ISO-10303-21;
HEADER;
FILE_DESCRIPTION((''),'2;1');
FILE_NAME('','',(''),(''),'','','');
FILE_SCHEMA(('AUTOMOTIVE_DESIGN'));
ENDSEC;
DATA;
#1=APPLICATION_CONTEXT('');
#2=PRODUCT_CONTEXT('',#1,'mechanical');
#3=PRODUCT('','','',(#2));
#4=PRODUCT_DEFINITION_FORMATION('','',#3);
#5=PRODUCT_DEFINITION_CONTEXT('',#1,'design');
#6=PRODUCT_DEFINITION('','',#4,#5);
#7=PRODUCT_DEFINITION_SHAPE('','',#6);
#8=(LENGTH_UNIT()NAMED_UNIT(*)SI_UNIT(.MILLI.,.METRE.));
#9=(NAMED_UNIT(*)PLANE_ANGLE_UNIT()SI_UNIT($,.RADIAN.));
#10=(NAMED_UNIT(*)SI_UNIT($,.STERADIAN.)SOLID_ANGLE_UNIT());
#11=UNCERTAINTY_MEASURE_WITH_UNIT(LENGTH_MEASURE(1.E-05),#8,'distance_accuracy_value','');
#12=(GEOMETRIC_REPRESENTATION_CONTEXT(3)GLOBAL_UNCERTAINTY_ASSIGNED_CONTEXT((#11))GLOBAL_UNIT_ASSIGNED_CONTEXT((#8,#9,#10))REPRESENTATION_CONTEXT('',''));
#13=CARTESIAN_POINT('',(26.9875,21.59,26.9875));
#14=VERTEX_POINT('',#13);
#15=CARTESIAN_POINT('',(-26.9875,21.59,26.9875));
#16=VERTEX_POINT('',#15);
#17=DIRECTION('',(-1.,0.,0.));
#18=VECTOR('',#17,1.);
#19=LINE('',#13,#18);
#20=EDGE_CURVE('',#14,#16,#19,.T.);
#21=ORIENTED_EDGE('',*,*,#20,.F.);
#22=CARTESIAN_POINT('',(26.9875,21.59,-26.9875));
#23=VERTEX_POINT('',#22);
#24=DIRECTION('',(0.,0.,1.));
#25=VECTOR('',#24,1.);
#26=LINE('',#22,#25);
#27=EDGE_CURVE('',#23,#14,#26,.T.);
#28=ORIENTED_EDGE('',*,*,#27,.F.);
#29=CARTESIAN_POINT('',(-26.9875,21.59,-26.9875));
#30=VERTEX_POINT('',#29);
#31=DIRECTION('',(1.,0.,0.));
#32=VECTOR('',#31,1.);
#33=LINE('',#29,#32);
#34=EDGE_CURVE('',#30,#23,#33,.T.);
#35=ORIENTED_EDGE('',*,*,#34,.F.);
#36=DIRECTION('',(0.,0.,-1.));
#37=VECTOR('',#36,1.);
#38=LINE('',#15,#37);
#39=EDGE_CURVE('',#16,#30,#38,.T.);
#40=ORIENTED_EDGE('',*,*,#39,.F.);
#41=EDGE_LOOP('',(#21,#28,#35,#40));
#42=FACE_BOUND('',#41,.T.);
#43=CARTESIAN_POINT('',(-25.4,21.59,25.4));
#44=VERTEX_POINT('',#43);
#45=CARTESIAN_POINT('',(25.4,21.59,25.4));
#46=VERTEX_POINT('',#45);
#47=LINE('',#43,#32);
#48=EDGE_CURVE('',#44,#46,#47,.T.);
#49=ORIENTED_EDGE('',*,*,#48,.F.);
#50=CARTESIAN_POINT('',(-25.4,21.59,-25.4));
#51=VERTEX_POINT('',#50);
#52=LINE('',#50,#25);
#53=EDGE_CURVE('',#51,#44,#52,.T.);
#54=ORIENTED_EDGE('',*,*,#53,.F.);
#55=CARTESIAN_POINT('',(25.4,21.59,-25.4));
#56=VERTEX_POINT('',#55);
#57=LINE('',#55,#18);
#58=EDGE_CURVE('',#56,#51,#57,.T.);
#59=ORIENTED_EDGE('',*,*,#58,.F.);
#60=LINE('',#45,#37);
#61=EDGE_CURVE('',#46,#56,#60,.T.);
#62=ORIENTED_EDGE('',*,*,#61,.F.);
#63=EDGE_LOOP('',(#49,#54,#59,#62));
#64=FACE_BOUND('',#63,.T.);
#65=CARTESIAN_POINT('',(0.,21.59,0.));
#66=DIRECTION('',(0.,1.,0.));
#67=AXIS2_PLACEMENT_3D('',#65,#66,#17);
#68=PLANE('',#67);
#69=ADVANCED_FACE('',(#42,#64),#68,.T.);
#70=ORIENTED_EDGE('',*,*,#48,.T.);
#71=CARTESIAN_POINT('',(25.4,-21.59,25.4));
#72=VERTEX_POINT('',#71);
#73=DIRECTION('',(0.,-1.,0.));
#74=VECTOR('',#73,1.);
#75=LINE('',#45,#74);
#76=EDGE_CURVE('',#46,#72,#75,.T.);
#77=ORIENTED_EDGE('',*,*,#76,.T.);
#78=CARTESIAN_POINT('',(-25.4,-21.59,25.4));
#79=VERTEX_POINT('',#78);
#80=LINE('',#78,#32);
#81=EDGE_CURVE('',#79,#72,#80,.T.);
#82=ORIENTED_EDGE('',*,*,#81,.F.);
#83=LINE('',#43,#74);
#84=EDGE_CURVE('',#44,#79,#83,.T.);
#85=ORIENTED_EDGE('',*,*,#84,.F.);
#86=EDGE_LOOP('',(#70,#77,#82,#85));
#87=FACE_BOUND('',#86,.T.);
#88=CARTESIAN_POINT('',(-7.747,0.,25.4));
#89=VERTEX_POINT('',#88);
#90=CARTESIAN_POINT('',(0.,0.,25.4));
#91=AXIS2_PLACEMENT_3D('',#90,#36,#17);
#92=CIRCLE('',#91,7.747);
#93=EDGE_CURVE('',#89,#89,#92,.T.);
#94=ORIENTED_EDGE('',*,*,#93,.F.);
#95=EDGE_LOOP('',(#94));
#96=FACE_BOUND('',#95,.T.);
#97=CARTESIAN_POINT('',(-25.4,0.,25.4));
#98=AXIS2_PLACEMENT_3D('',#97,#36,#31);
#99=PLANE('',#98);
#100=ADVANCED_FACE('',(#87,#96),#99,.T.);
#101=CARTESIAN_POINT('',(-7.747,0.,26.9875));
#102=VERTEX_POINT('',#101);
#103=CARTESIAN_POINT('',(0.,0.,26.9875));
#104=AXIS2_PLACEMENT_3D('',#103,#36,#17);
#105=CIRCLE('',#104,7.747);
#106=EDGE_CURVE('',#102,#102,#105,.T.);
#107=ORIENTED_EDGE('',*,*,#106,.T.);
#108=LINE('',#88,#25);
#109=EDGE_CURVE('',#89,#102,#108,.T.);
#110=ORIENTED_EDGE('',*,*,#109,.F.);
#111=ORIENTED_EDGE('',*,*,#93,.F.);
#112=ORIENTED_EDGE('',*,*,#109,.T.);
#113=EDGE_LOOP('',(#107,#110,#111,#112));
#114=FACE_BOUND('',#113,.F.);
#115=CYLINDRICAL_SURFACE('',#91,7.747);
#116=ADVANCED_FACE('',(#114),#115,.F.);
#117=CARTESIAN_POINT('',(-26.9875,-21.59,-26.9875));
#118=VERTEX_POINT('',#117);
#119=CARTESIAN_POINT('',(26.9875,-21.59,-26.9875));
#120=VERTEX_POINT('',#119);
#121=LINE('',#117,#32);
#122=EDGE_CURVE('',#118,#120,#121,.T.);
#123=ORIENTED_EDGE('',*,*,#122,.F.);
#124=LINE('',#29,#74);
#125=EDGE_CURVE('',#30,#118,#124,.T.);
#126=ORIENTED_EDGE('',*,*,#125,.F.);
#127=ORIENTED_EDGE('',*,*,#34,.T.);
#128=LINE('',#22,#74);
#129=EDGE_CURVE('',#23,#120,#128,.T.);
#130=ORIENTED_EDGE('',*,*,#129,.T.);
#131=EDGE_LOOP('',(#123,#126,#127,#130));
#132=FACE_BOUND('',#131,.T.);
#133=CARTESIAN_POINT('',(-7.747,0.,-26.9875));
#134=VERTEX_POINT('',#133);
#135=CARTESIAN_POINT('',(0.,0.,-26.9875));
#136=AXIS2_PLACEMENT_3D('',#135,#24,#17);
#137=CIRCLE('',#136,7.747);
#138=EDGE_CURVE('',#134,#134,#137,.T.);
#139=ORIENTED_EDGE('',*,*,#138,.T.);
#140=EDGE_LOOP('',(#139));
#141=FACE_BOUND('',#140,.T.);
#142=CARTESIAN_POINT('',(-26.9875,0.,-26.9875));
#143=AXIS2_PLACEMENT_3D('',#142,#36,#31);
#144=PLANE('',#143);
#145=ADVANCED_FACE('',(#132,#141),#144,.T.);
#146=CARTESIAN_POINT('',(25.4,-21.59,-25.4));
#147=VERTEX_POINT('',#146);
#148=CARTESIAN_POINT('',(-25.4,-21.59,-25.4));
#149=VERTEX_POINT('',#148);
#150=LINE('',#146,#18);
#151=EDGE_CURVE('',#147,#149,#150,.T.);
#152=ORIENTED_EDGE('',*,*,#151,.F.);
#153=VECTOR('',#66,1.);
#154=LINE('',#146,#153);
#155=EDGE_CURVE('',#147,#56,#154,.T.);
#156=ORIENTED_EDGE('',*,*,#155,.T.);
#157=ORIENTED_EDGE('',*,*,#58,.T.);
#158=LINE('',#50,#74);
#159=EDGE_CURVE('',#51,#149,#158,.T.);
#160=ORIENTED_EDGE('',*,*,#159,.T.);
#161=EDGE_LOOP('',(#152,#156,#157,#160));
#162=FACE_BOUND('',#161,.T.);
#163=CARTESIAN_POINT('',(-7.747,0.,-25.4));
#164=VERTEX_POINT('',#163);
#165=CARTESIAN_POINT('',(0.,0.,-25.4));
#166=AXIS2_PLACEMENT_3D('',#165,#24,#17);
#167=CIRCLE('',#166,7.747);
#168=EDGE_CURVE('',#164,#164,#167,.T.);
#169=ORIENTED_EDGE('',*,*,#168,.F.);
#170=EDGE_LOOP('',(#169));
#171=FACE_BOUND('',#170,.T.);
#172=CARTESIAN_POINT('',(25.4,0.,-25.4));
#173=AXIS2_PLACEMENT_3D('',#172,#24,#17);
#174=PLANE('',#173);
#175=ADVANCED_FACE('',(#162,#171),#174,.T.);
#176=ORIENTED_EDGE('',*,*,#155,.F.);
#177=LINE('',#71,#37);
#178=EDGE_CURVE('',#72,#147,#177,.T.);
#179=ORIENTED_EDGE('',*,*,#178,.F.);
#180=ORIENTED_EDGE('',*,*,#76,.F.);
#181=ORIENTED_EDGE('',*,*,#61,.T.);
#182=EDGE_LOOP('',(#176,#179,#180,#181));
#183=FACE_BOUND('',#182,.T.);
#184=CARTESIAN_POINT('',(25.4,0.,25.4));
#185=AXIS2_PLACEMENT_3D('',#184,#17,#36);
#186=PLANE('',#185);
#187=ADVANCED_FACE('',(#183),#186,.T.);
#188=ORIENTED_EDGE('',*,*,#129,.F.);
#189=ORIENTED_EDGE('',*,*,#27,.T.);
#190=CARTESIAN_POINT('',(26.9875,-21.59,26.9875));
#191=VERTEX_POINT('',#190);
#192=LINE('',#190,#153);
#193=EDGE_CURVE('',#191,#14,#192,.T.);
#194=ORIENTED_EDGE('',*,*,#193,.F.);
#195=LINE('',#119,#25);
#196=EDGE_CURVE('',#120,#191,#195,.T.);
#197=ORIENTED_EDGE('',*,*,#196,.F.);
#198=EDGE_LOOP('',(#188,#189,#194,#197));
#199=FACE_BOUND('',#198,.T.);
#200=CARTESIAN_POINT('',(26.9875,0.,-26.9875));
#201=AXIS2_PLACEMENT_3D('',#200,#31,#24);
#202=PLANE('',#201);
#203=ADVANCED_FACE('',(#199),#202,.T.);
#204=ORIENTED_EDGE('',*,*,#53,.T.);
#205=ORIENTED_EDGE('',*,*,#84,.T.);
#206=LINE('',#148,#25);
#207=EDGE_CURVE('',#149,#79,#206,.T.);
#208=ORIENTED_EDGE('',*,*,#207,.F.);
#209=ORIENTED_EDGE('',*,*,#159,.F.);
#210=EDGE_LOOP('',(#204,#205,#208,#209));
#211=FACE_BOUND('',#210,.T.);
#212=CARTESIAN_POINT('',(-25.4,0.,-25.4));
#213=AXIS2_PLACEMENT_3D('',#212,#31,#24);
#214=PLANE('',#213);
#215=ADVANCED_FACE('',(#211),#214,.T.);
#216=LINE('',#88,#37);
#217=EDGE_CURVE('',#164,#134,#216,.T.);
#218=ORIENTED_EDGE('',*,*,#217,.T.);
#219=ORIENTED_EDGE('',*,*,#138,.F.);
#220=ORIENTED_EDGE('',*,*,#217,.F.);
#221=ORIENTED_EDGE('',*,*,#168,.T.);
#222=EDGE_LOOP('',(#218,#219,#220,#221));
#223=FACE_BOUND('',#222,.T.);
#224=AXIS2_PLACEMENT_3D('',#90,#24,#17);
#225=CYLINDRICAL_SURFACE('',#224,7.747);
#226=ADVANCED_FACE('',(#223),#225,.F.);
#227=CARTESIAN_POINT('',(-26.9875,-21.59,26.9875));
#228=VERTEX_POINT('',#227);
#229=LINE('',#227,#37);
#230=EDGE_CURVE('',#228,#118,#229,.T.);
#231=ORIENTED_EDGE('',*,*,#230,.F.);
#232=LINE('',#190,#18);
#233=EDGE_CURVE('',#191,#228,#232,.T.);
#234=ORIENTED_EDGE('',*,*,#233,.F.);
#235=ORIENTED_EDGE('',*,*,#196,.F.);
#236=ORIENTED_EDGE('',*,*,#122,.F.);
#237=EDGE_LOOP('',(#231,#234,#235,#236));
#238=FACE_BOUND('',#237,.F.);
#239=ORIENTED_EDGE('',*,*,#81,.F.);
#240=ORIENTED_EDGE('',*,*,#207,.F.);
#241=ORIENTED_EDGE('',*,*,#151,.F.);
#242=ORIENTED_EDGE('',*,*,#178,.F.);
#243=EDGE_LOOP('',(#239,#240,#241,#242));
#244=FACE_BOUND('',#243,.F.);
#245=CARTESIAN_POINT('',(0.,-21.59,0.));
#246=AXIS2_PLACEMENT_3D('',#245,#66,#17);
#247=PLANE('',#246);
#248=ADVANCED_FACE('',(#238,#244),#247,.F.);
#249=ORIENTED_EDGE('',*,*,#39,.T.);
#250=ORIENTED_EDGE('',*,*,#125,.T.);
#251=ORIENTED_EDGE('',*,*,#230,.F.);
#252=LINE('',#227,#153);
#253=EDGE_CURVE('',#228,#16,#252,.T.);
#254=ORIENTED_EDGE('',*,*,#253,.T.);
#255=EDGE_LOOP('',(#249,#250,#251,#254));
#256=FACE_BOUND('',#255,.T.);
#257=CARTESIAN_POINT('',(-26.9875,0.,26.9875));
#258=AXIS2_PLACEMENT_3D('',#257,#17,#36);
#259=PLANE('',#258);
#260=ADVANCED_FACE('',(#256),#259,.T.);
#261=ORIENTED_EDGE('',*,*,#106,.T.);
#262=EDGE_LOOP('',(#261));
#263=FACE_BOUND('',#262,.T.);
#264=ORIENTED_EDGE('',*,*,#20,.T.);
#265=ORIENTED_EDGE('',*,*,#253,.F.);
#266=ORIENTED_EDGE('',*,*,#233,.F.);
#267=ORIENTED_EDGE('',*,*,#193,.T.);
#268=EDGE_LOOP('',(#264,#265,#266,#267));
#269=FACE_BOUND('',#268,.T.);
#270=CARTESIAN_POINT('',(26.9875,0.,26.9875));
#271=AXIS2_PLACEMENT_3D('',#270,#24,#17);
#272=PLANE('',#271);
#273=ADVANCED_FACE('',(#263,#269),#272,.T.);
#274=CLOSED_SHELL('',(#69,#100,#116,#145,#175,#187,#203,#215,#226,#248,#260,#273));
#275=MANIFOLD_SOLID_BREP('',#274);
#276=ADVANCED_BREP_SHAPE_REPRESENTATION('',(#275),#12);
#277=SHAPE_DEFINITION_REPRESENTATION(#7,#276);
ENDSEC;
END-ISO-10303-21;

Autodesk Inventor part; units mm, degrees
ref_plane "YZ Plane" through (0, 0, 0) normal (1, 0, 0) x (0, 1, 0)
ref_plane "XZ Plane" through (0, 0, 0) normal (0, 1, 0) x (-1, 0, 0)
ref_plane "XY Plane" through (0, 0, 0) normal (0, 0, 1) x (1, 0, 0)
sketch "Sketch1" plane through (0, 0, 0) normal (0, 1, 0) x (-1, 0, 0)
  line L0 (-25.4, -25.4) -> (25.4, -25.4)
  line L1 (25.4, -25.4) -> (25.4, 25.4)
  line L2 (25.4, 25.4) -> (-25.4, 25.4)
  line L3 (-25.4, 25.4) -> (-25.4, -25.4)
  line L4 (-25.4, -25.4) -> (25.4, 25.4) construction
  line L5 (25.4, -25.4) -> (-25.4, 25.4) construction
  line L6 (26.9875, 26.9875) -> (26.9875, -26.9875)
  line L7 (26.9875, -26.9875) -> (-26.9875, -26.9875)
  line L8 (-26.9875, -26.9875) -> (-26.9875, 26.9875)
  line L9 (-26.9875, 26.9875) -> (26.9875, 26.9875)
  point P0 (0, 0)
  dimension "d0" = 50.8
  dimension "d1" = 50.8
  dimension "d2" = -1.5875
extrude "Extrusion1" add sketch "Sketch1" along normal mid plane 43.18
sketch "Sketch2" plane through (-25.4, 21.59, 25.4) normal (0, 0, -1) x (-1, 0, 0)
  circle A0 centre (-25.4, -21.59) radius 7.747
  dimension "d5" = 15.494
extrude "Extrusion2" cut sketch "Sketch2" along normal through all both and the other way through all
properties part number "Container"
